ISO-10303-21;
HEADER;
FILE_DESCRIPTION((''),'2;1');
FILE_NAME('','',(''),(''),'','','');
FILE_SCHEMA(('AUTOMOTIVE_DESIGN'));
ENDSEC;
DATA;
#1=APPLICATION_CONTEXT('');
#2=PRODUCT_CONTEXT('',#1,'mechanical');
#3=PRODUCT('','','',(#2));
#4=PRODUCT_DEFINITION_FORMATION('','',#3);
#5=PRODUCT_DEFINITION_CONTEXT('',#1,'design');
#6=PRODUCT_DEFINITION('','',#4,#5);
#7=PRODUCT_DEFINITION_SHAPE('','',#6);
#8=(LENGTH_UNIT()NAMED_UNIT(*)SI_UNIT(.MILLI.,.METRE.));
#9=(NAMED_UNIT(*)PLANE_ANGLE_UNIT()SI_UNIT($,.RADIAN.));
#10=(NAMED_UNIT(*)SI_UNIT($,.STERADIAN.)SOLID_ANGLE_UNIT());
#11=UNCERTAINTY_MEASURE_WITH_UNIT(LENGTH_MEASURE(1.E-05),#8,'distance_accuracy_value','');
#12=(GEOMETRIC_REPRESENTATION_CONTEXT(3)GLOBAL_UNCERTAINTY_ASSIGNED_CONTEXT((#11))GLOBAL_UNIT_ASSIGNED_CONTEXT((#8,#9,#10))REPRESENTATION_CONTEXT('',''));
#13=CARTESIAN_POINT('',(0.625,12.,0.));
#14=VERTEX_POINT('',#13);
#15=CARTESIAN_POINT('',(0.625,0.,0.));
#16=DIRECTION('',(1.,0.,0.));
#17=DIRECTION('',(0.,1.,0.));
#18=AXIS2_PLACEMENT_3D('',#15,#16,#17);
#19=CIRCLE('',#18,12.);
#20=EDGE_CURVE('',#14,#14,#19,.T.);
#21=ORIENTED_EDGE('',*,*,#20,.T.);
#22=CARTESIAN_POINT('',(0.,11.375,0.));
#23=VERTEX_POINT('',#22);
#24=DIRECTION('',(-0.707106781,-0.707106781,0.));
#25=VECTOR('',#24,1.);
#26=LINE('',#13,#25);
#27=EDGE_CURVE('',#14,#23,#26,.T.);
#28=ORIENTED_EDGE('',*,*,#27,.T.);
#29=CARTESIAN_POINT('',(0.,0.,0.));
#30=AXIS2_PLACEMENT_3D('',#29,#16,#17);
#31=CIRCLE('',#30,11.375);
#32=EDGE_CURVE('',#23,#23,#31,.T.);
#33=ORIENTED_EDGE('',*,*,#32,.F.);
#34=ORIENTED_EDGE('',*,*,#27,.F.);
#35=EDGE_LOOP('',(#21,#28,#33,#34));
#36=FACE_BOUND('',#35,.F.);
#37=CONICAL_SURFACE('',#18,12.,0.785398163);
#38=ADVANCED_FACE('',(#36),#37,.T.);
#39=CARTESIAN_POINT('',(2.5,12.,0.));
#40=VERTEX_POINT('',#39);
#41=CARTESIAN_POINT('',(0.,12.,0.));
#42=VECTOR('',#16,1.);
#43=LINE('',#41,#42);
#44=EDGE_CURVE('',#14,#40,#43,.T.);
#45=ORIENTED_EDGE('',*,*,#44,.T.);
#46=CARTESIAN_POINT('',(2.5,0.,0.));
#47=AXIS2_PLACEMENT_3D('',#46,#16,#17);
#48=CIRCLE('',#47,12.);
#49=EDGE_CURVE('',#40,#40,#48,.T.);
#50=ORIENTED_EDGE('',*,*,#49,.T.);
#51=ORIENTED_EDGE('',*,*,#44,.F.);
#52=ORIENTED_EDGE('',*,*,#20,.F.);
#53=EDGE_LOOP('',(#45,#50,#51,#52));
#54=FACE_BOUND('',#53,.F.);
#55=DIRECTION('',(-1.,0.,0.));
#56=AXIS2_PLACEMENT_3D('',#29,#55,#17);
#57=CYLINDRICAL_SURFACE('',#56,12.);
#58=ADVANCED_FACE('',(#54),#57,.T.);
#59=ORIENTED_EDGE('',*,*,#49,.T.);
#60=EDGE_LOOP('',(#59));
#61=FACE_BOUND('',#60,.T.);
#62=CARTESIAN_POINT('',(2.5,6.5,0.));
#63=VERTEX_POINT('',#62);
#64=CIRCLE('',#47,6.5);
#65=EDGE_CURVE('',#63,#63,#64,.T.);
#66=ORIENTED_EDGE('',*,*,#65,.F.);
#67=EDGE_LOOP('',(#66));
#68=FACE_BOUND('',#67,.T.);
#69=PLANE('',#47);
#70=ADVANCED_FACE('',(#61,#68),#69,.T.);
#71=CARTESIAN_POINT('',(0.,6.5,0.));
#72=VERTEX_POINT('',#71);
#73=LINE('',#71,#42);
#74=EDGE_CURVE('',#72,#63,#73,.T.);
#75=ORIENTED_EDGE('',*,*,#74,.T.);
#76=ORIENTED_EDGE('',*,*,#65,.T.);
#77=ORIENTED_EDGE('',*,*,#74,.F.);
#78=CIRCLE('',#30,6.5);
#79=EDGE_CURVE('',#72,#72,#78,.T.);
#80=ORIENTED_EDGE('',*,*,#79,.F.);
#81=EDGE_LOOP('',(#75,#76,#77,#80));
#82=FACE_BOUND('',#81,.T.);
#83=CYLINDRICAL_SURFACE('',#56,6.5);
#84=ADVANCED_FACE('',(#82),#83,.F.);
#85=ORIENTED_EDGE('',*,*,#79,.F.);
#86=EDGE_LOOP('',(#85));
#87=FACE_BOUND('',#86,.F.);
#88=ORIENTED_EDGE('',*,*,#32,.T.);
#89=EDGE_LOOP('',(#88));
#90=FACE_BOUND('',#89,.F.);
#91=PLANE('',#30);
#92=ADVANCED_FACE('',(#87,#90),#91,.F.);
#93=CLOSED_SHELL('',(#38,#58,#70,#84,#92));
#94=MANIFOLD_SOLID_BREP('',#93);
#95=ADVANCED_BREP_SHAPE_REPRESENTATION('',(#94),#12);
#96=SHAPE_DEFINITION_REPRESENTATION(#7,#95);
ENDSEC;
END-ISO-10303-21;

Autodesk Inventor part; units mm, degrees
ref_plane "YZ Plane" through (0, 0, 0) normal (1, 0, 0) x (0, 1, 0)
ref_plane "XZ Plane" through (0, 0, 0) normal (0, 1, 0) x (-1, 0, 0)
ref_plane "XY Plane" through (0, 0, 0) normal (0, 0, 1) x (1, 0, 0)
sketch "Skizze" plane through (0, 0, 0) normal (1, 0, 0) x (0, 1, 0)
  circle A0 centre (0, 0) radius 12
  circle A1 centre (0, 0) radius 6.5
  dimension "d0" = 13
  dimension "d1" = 24
extrude "Körper" add sketch "Skizze" along normal blind 2.5
chamfer "Fase" distance 0.625 angle 45 1 edges at (0, -12, 0) measured on face at (1.6667, 11.8446, -1.9249)
equation "\"d0\" = SD1"
equation "\"d1\" = SD2"
equation "\"d2\" = SD"
equation "\"d4\" = PHH"
equation "\"d8\" = PHH"
equation "\"SD1\" = 13"
equation "\"SD2\" = 24"
equation "\"SD\" = 2.5"
equation "\"PHH\" = 0.625"
equation "\"FAWI\" = 45deg"
equation "\"NND\" = 12"
properties part number "DIN 125-1 - B 13"
